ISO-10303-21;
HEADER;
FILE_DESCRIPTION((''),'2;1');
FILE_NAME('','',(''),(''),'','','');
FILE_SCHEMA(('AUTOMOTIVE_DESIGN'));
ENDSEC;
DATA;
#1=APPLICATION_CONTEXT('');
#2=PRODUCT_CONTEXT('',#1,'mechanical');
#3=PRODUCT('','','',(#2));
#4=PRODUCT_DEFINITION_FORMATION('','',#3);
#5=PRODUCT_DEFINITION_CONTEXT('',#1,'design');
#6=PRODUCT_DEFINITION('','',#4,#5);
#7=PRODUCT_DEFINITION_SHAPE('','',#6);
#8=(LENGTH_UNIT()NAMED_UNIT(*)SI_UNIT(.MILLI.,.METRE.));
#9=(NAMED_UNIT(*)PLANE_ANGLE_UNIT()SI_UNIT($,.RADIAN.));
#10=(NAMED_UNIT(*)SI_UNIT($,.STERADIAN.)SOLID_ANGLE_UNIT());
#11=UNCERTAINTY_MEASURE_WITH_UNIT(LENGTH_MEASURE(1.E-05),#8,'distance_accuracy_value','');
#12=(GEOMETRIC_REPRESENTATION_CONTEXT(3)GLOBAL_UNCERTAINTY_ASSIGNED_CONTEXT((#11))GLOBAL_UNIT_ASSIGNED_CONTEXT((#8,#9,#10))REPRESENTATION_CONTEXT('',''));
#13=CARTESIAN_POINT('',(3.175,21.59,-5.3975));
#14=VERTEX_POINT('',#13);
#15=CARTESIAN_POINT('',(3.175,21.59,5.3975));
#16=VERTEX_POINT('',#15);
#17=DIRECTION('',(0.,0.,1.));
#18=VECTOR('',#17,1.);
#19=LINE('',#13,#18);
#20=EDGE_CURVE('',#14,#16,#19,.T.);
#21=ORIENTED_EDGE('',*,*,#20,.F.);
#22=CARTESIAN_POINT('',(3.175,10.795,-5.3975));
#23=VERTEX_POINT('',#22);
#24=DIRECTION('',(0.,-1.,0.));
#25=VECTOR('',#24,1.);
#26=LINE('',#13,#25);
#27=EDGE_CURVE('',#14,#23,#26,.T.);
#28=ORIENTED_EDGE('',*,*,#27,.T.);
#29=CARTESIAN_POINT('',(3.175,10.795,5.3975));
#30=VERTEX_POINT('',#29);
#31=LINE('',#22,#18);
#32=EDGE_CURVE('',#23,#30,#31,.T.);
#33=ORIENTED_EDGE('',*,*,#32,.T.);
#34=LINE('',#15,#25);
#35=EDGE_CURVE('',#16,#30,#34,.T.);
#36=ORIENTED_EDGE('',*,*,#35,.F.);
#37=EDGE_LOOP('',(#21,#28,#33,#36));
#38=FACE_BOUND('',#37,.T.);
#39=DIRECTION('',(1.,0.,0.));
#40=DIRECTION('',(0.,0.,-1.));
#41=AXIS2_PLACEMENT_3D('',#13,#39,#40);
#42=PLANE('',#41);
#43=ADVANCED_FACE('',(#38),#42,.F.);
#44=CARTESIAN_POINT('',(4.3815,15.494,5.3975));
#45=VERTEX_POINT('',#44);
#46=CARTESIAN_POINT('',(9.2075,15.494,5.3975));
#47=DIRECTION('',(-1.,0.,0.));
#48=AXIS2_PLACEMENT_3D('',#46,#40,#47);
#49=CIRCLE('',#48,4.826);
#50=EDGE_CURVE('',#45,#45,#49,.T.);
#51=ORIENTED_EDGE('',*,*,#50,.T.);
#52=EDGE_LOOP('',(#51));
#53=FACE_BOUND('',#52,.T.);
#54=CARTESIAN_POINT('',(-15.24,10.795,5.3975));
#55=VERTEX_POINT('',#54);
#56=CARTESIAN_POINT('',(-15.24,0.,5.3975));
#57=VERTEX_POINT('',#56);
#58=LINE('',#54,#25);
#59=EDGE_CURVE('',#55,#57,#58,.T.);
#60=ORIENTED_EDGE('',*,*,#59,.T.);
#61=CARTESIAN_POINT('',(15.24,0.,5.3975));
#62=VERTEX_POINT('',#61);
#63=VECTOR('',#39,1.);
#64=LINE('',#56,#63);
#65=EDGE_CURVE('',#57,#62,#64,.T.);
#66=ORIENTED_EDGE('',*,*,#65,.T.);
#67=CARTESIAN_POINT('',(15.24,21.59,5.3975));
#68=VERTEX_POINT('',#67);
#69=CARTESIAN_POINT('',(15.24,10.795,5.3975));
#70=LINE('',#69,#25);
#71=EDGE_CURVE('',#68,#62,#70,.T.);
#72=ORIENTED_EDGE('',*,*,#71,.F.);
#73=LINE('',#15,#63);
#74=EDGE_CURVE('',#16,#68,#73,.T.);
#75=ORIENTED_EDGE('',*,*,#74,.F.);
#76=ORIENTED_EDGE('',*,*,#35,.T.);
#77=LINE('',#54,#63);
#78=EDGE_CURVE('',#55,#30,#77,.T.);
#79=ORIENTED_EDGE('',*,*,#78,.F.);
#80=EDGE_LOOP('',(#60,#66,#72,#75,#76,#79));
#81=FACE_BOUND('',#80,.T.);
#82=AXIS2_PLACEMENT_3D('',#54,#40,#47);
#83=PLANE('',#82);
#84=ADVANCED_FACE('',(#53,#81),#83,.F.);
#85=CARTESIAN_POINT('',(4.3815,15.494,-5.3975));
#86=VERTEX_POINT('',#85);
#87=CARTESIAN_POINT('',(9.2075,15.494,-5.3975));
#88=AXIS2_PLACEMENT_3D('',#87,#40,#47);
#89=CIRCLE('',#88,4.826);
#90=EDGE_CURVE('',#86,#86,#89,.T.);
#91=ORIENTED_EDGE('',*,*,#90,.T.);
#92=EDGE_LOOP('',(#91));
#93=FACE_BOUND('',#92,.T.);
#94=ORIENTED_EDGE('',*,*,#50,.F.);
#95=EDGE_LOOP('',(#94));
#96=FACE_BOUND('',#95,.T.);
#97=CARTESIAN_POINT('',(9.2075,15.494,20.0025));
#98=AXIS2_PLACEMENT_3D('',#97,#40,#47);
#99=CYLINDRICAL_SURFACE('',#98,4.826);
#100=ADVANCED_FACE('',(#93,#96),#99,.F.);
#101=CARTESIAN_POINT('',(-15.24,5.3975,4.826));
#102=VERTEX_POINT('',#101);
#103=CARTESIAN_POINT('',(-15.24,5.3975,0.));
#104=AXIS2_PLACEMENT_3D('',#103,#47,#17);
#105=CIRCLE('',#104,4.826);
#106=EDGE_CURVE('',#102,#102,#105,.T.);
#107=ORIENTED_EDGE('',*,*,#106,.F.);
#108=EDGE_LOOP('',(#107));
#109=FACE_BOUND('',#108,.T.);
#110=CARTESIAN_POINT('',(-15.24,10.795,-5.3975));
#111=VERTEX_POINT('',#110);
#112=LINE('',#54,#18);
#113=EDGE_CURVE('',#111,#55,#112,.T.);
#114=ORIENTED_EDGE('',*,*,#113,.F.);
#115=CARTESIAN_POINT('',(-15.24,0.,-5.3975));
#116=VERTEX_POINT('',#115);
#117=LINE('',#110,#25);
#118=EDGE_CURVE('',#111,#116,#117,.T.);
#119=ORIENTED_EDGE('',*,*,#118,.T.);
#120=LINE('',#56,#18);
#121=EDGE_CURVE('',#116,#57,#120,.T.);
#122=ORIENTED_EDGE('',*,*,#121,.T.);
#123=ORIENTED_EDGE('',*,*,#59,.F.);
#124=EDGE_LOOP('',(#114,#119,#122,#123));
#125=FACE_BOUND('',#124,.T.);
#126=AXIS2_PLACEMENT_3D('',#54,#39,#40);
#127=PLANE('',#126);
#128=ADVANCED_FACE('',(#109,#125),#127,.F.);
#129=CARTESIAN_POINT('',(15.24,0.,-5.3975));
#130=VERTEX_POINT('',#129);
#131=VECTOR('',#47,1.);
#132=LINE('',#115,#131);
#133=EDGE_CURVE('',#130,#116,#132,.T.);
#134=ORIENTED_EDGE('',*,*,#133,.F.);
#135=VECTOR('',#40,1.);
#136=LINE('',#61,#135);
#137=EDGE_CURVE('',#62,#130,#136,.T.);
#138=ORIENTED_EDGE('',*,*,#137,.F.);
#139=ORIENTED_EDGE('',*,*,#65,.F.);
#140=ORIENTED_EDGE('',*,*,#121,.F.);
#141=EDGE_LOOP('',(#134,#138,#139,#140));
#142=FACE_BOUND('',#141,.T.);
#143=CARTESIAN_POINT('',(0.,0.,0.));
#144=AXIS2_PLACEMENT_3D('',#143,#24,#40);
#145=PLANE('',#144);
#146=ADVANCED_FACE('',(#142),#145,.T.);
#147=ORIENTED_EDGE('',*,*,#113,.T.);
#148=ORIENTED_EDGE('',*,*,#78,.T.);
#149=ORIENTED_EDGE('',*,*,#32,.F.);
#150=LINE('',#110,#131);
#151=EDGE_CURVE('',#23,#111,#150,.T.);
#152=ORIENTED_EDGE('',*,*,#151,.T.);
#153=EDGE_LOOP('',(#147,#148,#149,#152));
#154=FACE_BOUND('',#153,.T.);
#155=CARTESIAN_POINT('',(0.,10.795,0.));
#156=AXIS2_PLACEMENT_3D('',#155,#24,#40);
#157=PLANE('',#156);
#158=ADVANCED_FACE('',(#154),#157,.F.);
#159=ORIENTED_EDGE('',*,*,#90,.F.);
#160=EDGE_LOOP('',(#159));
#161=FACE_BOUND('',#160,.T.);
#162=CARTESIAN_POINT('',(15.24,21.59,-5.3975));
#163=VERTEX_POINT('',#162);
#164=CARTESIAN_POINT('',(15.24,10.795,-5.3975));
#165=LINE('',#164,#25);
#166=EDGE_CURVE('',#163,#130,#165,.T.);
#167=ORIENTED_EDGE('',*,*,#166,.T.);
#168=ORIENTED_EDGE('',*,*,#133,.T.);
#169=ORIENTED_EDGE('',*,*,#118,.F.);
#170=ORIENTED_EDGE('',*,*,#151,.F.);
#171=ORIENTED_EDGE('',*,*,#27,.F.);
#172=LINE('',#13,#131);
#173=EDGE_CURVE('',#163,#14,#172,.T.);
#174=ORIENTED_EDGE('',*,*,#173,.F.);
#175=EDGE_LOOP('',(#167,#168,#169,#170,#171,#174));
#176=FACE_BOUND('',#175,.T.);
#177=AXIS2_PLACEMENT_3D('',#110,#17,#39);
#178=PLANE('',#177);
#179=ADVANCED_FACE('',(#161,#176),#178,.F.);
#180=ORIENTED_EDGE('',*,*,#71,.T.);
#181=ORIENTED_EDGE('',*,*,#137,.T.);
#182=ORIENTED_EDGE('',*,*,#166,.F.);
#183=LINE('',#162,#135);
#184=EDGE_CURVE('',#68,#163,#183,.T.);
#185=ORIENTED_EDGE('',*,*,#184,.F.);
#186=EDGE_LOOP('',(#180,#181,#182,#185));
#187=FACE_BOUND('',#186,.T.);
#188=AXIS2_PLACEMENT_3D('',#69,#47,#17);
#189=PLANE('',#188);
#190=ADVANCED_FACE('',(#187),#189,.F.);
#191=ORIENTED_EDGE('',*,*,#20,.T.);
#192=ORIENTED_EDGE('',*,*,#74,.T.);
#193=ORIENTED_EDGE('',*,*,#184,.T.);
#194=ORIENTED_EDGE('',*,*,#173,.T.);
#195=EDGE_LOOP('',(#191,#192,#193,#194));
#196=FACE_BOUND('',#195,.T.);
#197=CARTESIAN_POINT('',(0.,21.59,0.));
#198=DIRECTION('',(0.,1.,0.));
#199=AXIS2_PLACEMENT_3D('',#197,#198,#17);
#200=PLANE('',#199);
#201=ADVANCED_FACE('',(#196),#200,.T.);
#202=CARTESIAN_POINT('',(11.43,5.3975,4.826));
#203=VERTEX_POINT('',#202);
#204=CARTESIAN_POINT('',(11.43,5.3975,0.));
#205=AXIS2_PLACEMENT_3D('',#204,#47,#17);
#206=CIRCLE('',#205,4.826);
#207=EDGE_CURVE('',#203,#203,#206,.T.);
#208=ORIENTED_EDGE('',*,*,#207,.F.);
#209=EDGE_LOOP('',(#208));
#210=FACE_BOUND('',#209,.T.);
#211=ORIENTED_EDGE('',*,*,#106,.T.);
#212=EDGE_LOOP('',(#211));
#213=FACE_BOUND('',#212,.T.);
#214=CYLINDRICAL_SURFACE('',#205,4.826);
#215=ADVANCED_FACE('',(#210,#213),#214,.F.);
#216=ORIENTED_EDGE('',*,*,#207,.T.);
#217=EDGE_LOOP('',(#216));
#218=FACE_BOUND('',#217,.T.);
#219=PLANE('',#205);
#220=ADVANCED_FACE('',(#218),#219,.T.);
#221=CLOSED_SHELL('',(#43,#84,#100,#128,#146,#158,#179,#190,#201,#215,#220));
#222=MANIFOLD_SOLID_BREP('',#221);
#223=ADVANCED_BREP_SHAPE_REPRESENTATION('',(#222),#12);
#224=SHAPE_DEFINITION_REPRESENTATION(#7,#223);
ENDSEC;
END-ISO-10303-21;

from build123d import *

# Parameters (mm, degrees)
SKETCH1_W           = 30.48
SKETCH1_H           = 10.795
BOSS_EXTRUDE1_DEPTH = 10.795
SKETCH2_R           = 4.826
CUT_EXTRUDE1_DEPTH  = 26.67
SKETCH3_W           = 12.065
SKETCH3_H           = 10.795
BOSS_EXTRUDE2_DEPTH = 10.795
SKETCH4_R           = 4.826
CUT_EXTRUDE2_DEPTH  = 25.4


with BuildPart() as part:
    # Sketch1 → Boss-Extrude1 (new body)
    with BuildSketch(Plane(origin=(0, 0, 0), x_dir=(1, 0, 0), z_dir=(0, 1, 0))):
        Rectangle(SKETCH1_W, SKETCH1_H)
    extrude(amount=BOSS_EXTRUDE1_DEPTH)

    # Sketch2 → Cut-Extrude1 (cut)
    with BuildSketch(Plane.ZY.offset(15.24)):
        with Locations((0, 5.3975)):
            Circle(SKETCH2_R)
    extrude(amount=-CUT_EXTRUDE1_DEPTH, mode=Mode.SUBTRACT)

    # Sketch3 → Boss-Extrude2 (add)
    with BuildSketch(Plane(origin=(0, 10.795, 0), x_dir=(1, 0, 0), z_dir=(0, 1, 0))):
        with Locations((9.2075, 0)):
            Rectangle(SKETCH3_W, SKETCH3_H)
    extrude(amount=BOSS_EXTRUDE2_DEPTH)

    # Sketch4 → Cut-Extrude2 (cut)
    with BuildSketch(Plane(origin=(0, 0, -5.3975), x_dir=(-1, 0, 0), z_dir=(0, 0, -1))):
        with Locations((-9.2075, 15.494)):
            Circle(SKETCH4_R)
    extrude(amount=-CUT_EXTRUDE2_DEPTH, mode=Mode.SUBTRACT)


solid = part.part
